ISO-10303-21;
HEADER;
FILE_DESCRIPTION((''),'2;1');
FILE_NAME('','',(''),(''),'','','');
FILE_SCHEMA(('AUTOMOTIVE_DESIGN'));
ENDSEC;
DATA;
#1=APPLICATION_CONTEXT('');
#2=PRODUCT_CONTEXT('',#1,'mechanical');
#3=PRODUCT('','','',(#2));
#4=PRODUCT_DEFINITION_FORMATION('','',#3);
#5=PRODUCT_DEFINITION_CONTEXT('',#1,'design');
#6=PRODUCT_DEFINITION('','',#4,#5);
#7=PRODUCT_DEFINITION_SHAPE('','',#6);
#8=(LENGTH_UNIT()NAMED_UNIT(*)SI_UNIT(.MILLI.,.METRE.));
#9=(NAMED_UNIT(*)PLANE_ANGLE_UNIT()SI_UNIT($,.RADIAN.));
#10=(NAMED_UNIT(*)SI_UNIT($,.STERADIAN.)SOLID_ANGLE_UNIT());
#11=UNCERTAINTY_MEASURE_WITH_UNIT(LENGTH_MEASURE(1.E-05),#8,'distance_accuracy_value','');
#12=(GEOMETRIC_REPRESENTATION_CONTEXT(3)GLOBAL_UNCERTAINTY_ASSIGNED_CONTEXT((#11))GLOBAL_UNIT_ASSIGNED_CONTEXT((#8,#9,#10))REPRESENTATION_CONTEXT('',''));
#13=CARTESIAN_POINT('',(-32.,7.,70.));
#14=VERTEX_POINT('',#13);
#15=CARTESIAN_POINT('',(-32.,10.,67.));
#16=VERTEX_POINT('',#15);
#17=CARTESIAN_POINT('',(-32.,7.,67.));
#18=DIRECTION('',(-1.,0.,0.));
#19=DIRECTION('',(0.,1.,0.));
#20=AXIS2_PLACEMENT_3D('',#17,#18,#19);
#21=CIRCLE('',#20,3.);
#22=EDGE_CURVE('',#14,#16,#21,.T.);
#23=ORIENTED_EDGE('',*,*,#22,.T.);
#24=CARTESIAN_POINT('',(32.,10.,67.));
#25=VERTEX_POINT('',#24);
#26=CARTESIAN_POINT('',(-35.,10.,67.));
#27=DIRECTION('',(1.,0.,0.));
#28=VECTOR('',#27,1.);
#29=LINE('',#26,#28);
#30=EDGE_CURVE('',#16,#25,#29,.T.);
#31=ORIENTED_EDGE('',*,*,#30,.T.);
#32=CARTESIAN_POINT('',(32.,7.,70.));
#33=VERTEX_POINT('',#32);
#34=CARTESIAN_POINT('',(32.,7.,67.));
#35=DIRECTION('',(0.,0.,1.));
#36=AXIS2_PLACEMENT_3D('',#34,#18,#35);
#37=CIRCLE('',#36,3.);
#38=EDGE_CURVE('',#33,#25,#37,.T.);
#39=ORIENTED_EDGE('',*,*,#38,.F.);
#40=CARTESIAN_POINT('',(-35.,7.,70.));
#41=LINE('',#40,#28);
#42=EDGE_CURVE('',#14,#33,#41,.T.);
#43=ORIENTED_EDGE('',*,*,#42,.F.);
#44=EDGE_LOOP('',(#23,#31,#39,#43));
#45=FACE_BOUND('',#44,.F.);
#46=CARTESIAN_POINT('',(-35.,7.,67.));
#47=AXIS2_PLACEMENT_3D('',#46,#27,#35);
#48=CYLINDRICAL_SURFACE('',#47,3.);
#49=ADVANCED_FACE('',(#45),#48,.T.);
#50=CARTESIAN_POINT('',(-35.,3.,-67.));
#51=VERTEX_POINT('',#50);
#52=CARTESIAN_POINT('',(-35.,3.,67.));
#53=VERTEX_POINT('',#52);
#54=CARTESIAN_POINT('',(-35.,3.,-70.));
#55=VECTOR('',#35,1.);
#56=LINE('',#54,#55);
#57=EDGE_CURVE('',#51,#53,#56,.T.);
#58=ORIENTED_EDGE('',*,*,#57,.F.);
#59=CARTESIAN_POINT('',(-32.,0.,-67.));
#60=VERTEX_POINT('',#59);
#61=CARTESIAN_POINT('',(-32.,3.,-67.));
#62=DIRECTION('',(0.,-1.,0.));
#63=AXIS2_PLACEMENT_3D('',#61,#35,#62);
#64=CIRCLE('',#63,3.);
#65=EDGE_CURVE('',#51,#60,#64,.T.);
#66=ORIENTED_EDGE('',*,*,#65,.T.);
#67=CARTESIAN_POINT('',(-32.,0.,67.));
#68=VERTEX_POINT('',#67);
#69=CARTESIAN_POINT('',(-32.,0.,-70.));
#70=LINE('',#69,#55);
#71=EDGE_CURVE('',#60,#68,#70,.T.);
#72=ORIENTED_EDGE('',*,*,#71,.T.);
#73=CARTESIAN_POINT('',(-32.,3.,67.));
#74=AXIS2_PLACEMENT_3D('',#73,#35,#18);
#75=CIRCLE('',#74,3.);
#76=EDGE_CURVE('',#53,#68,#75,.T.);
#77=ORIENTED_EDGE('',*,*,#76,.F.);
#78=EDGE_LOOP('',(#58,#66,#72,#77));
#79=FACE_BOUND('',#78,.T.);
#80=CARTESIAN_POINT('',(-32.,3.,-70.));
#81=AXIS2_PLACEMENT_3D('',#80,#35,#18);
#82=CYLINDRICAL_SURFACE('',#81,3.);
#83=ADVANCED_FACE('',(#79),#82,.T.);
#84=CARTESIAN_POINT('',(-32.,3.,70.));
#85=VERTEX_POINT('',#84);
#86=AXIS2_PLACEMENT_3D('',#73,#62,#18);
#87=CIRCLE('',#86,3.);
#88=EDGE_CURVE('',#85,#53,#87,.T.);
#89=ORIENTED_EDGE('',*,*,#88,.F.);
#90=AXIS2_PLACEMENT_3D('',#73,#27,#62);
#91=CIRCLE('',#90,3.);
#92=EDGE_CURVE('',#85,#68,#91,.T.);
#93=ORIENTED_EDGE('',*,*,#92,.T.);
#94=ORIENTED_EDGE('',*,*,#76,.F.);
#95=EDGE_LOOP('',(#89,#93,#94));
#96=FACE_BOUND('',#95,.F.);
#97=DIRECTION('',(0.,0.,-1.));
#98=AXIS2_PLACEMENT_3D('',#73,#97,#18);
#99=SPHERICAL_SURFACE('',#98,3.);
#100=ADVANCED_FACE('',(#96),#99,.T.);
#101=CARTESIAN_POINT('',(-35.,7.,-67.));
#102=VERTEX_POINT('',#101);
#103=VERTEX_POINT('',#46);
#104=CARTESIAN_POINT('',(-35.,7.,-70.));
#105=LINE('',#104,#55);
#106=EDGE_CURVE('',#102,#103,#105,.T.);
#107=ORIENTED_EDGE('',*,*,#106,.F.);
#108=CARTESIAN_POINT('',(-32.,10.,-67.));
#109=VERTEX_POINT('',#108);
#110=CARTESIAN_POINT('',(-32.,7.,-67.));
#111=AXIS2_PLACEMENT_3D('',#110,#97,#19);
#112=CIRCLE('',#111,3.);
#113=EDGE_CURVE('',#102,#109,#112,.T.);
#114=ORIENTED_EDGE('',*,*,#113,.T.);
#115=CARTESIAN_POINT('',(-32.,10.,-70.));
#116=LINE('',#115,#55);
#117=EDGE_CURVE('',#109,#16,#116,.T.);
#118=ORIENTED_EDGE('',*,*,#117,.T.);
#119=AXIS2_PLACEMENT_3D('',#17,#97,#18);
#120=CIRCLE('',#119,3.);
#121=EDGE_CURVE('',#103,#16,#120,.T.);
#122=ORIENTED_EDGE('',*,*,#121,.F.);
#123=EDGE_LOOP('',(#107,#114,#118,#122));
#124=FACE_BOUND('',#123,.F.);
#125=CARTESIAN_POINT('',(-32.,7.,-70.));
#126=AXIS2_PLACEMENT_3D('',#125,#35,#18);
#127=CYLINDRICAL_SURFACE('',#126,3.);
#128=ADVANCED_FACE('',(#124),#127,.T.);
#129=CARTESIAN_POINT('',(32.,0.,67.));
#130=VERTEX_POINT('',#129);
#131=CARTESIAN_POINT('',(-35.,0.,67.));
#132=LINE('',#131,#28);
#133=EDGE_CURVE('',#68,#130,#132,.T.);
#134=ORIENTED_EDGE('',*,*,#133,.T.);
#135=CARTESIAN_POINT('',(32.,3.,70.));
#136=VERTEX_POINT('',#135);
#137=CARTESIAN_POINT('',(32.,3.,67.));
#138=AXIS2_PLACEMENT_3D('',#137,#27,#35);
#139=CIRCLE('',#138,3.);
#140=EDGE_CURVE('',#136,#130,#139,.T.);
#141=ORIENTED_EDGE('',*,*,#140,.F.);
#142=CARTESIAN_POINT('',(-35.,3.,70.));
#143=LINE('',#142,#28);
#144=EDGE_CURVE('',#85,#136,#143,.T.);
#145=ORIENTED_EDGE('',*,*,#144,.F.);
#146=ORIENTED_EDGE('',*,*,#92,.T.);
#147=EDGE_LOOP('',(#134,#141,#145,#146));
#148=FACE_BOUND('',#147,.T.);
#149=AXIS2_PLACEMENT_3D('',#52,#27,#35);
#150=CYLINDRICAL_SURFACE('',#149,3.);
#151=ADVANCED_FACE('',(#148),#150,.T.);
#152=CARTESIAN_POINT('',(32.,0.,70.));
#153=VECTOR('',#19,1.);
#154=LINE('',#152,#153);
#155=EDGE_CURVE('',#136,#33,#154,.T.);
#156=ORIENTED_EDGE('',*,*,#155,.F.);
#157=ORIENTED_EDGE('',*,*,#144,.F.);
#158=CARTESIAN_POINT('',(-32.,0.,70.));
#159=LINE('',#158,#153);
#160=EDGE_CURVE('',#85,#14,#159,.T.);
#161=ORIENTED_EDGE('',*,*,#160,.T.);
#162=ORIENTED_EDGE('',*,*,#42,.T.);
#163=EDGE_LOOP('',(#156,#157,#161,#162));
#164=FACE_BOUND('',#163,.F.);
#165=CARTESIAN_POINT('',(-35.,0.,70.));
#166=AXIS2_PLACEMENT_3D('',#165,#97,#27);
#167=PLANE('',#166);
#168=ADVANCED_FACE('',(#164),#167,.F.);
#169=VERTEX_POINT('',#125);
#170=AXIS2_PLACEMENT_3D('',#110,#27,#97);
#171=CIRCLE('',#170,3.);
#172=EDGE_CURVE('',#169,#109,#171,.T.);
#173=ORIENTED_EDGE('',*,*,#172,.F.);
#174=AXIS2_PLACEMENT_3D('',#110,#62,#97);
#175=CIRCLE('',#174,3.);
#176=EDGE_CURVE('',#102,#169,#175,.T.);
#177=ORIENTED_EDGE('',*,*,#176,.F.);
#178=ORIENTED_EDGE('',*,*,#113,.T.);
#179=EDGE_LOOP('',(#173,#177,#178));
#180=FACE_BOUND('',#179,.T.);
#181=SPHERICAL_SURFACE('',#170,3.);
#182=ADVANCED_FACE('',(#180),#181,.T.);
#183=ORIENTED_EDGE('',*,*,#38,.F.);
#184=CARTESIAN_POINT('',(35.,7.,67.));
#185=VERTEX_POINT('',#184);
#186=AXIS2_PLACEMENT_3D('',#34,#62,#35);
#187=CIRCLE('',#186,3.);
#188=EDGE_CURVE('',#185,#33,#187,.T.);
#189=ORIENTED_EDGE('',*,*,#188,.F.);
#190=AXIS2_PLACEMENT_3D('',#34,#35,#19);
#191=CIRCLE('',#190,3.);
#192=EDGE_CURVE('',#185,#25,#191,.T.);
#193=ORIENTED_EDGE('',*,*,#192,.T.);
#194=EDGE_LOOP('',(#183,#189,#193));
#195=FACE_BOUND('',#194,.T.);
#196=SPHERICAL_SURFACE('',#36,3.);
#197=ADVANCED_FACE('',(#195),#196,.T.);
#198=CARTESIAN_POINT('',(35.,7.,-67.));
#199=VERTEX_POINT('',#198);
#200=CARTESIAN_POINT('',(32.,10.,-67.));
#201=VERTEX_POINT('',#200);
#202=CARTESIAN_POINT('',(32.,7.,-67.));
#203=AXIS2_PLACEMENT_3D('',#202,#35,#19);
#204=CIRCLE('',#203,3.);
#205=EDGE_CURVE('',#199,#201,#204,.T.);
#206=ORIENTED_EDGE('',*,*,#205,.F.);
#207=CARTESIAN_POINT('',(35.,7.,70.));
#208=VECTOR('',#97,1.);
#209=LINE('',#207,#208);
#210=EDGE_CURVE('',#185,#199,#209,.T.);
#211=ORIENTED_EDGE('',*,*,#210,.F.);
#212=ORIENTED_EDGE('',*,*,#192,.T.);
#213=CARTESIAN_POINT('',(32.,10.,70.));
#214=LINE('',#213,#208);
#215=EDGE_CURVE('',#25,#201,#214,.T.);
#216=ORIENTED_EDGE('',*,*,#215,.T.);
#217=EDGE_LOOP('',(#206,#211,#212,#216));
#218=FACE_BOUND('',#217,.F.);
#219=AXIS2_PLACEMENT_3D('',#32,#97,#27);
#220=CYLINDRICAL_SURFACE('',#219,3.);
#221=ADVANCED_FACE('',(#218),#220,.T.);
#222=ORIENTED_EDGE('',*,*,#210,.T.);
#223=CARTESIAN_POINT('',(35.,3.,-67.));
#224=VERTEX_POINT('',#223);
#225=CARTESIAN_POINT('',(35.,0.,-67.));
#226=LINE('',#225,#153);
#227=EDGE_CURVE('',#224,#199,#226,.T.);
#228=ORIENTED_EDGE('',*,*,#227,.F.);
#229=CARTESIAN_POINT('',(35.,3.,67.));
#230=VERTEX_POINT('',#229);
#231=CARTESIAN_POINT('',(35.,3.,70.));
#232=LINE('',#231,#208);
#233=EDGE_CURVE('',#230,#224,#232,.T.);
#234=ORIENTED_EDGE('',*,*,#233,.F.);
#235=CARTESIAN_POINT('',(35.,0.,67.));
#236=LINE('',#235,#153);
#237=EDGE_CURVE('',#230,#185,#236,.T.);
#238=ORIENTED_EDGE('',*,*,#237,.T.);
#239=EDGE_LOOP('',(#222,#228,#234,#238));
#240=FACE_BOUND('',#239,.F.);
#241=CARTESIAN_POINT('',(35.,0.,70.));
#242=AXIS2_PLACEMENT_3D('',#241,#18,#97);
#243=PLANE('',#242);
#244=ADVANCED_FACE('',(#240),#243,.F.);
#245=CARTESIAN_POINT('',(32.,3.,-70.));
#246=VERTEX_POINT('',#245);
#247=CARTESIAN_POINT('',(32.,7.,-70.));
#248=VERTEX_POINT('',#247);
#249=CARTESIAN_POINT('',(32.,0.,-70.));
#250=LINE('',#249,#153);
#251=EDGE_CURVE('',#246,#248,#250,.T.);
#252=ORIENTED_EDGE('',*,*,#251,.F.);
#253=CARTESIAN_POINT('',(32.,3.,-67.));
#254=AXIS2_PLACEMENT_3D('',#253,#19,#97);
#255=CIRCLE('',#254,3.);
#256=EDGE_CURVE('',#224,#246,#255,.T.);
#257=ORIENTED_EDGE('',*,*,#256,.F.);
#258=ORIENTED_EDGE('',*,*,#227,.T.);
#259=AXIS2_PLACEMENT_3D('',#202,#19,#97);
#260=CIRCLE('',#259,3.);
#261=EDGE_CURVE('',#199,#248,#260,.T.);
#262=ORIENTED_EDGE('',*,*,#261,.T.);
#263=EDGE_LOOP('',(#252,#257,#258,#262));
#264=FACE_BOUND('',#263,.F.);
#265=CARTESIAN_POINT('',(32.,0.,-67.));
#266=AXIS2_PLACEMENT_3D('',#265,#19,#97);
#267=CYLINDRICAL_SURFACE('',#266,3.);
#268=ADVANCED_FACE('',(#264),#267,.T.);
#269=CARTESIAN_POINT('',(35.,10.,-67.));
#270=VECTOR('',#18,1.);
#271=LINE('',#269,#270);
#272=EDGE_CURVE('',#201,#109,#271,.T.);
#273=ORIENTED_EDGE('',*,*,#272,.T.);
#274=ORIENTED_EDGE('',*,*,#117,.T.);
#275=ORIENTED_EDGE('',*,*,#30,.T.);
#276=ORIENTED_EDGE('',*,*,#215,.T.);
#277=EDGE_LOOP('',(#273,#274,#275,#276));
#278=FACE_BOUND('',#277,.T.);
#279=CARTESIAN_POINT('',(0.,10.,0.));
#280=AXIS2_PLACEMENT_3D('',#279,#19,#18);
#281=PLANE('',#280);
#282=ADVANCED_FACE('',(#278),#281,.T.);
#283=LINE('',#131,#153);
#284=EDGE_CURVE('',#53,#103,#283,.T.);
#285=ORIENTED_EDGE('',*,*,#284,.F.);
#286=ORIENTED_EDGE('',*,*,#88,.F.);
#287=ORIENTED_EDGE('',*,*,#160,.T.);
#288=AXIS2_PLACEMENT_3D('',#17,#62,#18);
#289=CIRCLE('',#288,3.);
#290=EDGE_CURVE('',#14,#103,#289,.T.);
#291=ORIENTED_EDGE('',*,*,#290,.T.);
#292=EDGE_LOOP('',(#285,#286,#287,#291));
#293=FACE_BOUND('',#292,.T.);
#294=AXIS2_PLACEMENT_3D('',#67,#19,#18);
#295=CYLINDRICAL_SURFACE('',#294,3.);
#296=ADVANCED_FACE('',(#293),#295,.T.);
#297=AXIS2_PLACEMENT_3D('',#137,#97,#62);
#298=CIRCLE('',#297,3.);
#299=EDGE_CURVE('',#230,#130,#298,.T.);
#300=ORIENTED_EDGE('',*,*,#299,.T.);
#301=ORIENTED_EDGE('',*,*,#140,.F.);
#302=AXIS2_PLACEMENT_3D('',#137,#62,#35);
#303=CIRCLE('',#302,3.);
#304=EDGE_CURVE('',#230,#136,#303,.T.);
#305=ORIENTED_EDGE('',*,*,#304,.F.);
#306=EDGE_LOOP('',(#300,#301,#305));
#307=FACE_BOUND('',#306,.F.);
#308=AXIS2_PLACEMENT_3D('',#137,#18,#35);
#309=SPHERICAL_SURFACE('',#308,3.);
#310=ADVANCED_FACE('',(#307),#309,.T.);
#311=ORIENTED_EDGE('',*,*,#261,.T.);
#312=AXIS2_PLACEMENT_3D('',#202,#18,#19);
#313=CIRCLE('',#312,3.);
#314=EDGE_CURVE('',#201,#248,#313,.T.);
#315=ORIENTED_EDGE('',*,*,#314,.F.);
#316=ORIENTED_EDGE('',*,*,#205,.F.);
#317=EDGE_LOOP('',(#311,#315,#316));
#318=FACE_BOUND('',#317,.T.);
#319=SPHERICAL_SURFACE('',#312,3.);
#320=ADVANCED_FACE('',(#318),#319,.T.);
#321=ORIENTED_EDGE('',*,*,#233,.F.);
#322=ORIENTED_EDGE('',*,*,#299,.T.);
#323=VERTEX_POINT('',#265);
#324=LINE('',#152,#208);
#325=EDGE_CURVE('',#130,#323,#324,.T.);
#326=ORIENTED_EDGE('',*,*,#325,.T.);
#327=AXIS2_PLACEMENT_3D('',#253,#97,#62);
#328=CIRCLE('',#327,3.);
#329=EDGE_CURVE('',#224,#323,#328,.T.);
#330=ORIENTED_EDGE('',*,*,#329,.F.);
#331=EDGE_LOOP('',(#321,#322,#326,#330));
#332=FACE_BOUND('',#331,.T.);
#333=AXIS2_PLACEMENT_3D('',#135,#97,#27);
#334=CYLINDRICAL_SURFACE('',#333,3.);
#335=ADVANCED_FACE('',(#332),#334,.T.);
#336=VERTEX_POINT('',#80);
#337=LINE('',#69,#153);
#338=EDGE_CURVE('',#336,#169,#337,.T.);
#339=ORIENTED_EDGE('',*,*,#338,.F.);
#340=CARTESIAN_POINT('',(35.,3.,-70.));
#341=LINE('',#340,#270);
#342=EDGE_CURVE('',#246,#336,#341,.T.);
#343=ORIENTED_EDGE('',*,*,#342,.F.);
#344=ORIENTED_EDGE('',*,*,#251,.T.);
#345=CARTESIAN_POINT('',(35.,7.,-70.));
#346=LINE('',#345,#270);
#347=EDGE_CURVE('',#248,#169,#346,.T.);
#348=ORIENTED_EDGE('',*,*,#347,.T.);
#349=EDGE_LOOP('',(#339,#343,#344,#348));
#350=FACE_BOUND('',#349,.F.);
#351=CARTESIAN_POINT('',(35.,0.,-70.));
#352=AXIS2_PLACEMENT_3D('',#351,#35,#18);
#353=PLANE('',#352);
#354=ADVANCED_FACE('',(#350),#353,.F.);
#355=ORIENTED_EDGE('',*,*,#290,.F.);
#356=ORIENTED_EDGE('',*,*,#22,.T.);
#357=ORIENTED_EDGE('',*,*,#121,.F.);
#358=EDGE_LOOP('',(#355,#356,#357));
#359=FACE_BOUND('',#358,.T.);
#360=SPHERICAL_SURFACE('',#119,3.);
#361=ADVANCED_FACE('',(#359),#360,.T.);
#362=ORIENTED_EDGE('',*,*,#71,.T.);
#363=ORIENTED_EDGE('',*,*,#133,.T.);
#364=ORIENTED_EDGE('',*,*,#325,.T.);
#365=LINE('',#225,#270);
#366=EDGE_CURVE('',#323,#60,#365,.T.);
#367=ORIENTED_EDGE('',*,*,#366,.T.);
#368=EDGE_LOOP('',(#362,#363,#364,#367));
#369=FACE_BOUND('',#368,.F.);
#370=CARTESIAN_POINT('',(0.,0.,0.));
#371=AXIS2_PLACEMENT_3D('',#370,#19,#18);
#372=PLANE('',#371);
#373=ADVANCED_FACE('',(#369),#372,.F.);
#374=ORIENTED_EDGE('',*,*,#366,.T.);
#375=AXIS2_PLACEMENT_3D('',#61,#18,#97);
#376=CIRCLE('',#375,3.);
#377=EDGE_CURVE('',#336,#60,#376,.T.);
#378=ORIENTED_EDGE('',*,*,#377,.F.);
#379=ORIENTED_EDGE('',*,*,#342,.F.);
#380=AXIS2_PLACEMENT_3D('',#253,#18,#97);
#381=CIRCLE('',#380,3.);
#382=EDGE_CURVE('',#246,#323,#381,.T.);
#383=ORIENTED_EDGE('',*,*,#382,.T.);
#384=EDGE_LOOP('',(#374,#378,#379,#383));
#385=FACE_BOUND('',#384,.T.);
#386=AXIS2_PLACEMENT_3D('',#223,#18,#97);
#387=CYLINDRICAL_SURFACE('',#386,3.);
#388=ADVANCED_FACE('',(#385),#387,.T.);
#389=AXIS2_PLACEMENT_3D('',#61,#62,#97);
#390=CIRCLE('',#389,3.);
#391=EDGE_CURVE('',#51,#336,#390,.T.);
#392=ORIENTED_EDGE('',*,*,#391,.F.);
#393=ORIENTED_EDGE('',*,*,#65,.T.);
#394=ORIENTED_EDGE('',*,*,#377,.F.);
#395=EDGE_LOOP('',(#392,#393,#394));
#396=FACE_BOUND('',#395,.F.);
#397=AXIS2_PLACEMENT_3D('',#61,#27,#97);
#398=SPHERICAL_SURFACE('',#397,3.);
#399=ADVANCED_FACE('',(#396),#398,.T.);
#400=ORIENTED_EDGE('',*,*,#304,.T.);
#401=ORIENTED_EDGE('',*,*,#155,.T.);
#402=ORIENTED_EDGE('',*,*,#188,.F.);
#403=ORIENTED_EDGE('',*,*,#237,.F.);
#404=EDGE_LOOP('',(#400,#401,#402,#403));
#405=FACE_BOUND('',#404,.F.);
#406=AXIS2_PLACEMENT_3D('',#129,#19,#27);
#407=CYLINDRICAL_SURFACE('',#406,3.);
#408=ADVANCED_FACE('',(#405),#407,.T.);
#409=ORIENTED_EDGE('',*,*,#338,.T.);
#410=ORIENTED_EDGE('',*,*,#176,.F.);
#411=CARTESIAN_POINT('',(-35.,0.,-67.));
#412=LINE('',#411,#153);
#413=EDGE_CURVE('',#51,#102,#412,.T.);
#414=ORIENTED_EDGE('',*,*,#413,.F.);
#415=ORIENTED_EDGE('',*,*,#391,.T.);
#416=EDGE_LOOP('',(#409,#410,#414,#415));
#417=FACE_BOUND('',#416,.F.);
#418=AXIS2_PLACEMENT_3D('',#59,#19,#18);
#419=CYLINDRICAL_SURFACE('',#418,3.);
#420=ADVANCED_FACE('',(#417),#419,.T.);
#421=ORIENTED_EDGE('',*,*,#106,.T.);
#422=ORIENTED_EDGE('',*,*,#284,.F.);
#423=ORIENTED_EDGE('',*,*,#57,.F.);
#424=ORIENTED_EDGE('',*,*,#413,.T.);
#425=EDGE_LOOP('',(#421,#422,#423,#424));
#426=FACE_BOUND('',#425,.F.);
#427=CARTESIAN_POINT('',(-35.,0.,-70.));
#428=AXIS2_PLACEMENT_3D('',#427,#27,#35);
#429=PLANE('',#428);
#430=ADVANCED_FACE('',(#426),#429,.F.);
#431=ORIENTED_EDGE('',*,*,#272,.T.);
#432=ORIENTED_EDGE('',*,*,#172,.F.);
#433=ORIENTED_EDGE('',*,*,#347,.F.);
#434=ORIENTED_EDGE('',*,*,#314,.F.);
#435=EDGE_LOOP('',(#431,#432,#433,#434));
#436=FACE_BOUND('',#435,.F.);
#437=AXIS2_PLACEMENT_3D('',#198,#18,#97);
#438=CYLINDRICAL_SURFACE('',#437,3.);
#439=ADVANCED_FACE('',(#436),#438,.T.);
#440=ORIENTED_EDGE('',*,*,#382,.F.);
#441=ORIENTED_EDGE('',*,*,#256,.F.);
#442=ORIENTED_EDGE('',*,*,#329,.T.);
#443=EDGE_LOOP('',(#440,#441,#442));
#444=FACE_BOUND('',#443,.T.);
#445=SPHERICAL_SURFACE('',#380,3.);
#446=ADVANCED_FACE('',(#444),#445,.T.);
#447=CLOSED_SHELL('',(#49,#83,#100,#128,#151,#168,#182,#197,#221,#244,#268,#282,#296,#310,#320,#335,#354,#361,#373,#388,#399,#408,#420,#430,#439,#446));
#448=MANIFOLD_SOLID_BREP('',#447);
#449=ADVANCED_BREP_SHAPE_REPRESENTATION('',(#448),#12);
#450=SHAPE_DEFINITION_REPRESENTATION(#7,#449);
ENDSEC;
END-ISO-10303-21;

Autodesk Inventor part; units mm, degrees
ref_plane "YZ Plane" through (0, 0, 0) normal (1, 0, 0) x (0, 1, 0)
ref_plane "XZ Plane" through (0, 0, 0) normal (0, 1, 0) x (-1, 0, 0)
ref_plane "XY Plane" through (0, 0, 0) normal (0, 0, 1) x (1, 0, 0)
sketch "Sketch1" plane through (0, 0, 0) normal (0, 1, 0) x (-1, 0, 0)
  line L0 (35, 70) -> (-35, 70)
  line L1 (-35, 70) -> (-35, -70)
  line L2 (-35, -70) -> (35, -70)
  line L3 (35, -70) -> (35, 70)
  line L4 (35, 70) -> (-35, -70) construction
  line L5 (-35, 70) -> (35, -70) construction
  point P0 (0, 0)
  dimension "d0" = 70
  dimension "d1" = 140
extrude "Extrusion1" add sketch "Sketch1" along normal blind 10
fillet "Fillet1" radius 3 12 edges at (0, 10, -70) (0, 0, -70) (-35, 5, -70) (-35, 10, 0) (-35, 0, 0) (-35, 5, 70) (0, 10, 70) (0, 0, 70) (35, 5, 70) (35, 10, 0) (35, 5, -70) (35, 0, 0)
properties part number "Powerbank" material "Acetal Resin, White"
